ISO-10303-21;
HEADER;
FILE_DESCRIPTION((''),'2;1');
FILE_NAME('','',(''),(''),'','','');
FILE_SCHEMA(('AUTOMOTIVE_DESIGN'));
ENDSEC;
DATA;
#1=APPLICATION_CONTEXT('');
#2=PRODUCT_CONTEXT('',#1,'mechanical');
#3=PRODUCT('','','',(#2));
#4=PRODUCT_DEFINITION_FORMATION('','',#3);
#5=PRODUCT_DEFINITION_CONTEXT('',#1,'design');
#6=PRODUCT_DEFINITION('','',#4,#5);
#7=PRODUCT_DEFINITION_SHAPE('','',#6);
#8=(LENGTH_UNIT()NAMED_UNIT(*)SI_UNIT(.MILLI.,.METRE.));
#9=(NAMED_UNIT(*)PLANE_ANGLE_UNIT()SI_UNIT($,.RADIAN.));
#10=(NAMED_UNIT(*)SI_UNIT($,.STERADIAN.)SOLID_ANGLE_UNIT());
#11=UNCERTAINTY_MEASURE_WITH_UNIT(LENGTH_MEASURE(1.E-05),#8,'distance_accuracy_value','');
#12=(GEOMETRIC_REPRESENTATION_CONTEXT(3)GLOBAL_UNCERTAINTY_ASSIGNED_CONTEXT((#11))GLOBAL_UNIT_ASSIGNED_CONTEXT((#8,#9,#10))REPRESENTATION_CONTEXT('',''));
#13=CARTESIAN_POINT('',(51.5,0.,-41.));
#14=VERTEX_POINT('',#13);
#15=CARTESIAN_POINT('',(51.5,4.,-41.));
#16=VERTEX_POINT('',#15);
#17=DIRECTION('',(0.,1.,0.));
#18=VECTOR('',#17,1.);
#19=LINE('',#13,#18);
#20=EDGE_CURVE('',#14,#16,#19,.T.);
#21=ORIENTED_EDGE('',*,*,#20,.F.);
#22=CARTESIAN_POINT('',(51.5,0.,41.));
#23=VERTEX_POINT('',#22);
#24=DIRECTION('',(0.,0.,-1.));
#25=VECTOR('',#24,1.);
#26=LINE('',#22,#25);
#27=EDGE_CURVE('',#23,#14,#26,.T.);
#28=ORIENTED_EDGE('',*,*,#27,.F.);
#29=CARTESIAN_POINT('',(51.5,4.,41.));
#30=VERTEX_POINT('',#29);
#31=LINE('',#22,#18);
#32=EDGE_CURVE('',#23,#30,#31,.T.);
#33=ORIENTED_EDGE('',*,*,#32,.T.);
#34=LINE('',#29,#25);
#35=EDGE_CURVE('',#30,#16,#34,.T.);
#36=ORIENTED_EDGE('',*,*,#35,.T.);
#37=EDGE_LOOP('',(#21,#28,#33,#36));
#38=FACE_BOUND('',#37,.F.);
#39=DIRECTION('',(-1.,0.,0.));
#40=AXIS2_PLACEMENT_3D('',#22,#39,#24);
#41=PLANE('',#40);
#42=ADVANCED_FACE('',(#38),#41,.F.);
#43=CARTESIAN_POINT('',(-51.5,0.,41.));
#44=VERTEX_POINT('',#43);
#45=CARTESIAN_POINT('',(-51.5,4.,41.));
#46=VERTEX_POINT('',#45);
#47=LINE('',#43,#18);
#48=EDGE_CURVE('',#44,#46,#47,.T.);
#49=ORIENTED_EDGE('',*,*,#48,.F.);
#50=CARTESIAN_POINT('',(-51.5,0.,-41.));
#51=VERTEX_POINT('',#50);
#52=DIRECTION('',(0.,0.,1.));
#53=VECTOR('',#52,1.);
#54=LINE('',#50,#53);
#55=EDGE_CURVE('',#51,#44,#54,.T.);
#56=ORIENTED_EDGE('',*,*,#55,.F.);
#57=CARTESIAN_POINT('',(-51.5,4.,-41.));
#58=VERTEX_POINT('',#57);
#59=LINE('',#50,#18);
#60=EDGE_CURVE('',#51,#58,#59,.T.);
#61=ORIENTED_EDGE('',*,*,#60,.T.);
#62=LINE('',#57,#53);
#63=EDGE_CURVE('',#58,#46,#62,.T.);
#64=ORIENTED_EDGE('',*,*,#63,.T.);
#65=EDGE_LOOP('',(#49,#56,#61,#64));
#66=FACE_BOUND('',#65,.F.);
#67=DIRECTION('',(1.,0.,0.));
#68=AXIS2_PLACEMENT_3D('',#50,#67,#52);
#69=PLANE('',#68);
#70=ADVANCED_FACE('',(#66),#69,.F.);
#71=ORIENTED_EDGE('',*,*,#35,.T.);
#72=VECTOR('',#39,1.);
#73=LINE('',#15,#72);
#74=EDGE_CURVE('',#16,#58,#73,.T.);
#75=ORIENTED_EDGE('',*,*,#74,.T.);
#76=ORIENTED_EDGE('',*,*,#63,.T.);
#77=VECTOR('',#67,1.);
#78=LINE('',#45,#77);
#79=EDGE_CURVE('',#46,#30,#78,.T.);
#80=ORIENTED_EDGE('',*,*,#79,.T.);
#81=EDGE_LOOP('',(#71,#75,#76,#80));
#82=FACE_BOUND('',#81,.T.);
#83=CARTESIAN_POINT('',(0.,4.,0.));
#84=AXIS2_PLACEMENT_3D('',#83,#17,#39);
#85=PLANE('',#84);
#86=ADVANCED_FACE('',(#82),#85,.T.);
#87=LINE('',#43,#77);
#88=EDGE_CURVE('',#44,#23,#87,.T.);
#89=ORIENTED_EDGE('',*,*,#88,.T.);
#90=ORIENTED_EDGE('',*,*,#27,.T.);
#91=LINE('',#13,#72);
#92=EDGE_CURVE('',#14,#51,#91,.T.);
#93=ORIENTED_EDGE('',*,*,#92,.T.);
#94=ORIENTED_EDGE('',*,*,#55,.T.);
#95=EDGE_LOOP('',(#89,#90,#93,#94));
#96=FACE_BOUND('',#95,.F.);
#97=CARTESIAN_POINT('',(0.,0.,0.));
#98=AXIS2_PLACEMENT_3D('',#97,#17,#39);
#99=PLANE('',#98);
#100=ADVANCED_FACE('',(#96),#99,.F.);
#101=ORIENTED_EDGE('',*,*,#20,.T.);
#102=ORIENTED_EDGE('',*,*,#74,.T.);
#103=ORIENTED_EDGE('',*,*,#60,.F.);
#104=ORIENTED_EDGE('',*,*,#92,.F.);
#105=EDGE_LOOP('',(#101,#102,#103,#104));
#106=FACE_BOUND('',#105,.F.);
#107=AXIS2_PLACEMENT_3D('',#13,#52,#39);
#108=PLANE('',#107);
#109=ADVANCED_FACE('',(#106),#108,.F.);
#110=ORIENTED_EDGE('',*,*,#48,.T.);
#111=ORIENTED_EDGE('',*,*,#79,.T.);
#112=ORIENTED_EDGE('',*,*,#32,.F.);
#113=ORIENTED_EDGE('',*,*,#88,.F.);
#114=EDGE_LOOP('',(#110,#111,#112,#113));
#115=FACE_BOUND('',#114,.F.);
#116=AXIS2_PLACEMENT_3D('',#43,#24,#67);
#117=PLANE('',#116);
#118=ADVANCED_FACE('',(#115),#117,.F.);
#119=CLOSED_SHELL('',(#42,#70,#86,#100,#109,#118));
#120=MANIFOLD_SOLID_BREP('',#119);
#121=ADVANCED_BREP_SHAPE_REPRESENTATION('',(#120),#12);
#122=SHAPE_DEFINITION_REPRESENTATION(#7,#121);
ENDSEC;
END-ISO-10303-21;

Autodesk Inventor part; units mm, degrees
ref_plane "YZ Plane" through (0, 0, 0) normal (1, 0, 0) x (0, 1, 0)
ref_plane "XZ Plane" through (0, 0, 0) normal (0, 1, 0) x (-1, 0, 0)
ref_plane "XY Plane" through (0, 0, 0) normal (0, 0, 1) x (1, 0, 0)
sketch "DeckFace" plane through (0, 0, 0) normal (0, 1, 0) x (-1, 0, 0)
  line L0 (-47.5, 37) -> (47.5, 37)
  line L1 (47.5, 37) -> (47.5, -37)
  line L2 (47.5, -37) -> (-47.5, -37)
  line L3 (-47.5, -37) -> (-47.5, 37)
  line L4 (-47.5, 37) -> (47.5, -37) construction
  line L5 (47.5, 37) -> (-47.5, -37) construction
  line L6 (51.5, -41) -> (51.5, 41)
  line L7 (51.5, 41) -> (-51.5, 41)
  line L8 (-51.5, 41) -> (-51.5, -41)
  line L9 (-51.5, -41) -> (51.5, -41)
  point P0 (0, 0)
  dimension "d4" = 4
extrude "Stock" add sketch "DeckFace" along normal blind 4 contours L0 L1 L2 L3 | L9 L8 L7 L6
equation "\"d4\" = PlateThickness"
equation "\"d5\" = PlateThickness"
equation "\"PlateThickness\" = 4"
properties part number "BottomPlate"
